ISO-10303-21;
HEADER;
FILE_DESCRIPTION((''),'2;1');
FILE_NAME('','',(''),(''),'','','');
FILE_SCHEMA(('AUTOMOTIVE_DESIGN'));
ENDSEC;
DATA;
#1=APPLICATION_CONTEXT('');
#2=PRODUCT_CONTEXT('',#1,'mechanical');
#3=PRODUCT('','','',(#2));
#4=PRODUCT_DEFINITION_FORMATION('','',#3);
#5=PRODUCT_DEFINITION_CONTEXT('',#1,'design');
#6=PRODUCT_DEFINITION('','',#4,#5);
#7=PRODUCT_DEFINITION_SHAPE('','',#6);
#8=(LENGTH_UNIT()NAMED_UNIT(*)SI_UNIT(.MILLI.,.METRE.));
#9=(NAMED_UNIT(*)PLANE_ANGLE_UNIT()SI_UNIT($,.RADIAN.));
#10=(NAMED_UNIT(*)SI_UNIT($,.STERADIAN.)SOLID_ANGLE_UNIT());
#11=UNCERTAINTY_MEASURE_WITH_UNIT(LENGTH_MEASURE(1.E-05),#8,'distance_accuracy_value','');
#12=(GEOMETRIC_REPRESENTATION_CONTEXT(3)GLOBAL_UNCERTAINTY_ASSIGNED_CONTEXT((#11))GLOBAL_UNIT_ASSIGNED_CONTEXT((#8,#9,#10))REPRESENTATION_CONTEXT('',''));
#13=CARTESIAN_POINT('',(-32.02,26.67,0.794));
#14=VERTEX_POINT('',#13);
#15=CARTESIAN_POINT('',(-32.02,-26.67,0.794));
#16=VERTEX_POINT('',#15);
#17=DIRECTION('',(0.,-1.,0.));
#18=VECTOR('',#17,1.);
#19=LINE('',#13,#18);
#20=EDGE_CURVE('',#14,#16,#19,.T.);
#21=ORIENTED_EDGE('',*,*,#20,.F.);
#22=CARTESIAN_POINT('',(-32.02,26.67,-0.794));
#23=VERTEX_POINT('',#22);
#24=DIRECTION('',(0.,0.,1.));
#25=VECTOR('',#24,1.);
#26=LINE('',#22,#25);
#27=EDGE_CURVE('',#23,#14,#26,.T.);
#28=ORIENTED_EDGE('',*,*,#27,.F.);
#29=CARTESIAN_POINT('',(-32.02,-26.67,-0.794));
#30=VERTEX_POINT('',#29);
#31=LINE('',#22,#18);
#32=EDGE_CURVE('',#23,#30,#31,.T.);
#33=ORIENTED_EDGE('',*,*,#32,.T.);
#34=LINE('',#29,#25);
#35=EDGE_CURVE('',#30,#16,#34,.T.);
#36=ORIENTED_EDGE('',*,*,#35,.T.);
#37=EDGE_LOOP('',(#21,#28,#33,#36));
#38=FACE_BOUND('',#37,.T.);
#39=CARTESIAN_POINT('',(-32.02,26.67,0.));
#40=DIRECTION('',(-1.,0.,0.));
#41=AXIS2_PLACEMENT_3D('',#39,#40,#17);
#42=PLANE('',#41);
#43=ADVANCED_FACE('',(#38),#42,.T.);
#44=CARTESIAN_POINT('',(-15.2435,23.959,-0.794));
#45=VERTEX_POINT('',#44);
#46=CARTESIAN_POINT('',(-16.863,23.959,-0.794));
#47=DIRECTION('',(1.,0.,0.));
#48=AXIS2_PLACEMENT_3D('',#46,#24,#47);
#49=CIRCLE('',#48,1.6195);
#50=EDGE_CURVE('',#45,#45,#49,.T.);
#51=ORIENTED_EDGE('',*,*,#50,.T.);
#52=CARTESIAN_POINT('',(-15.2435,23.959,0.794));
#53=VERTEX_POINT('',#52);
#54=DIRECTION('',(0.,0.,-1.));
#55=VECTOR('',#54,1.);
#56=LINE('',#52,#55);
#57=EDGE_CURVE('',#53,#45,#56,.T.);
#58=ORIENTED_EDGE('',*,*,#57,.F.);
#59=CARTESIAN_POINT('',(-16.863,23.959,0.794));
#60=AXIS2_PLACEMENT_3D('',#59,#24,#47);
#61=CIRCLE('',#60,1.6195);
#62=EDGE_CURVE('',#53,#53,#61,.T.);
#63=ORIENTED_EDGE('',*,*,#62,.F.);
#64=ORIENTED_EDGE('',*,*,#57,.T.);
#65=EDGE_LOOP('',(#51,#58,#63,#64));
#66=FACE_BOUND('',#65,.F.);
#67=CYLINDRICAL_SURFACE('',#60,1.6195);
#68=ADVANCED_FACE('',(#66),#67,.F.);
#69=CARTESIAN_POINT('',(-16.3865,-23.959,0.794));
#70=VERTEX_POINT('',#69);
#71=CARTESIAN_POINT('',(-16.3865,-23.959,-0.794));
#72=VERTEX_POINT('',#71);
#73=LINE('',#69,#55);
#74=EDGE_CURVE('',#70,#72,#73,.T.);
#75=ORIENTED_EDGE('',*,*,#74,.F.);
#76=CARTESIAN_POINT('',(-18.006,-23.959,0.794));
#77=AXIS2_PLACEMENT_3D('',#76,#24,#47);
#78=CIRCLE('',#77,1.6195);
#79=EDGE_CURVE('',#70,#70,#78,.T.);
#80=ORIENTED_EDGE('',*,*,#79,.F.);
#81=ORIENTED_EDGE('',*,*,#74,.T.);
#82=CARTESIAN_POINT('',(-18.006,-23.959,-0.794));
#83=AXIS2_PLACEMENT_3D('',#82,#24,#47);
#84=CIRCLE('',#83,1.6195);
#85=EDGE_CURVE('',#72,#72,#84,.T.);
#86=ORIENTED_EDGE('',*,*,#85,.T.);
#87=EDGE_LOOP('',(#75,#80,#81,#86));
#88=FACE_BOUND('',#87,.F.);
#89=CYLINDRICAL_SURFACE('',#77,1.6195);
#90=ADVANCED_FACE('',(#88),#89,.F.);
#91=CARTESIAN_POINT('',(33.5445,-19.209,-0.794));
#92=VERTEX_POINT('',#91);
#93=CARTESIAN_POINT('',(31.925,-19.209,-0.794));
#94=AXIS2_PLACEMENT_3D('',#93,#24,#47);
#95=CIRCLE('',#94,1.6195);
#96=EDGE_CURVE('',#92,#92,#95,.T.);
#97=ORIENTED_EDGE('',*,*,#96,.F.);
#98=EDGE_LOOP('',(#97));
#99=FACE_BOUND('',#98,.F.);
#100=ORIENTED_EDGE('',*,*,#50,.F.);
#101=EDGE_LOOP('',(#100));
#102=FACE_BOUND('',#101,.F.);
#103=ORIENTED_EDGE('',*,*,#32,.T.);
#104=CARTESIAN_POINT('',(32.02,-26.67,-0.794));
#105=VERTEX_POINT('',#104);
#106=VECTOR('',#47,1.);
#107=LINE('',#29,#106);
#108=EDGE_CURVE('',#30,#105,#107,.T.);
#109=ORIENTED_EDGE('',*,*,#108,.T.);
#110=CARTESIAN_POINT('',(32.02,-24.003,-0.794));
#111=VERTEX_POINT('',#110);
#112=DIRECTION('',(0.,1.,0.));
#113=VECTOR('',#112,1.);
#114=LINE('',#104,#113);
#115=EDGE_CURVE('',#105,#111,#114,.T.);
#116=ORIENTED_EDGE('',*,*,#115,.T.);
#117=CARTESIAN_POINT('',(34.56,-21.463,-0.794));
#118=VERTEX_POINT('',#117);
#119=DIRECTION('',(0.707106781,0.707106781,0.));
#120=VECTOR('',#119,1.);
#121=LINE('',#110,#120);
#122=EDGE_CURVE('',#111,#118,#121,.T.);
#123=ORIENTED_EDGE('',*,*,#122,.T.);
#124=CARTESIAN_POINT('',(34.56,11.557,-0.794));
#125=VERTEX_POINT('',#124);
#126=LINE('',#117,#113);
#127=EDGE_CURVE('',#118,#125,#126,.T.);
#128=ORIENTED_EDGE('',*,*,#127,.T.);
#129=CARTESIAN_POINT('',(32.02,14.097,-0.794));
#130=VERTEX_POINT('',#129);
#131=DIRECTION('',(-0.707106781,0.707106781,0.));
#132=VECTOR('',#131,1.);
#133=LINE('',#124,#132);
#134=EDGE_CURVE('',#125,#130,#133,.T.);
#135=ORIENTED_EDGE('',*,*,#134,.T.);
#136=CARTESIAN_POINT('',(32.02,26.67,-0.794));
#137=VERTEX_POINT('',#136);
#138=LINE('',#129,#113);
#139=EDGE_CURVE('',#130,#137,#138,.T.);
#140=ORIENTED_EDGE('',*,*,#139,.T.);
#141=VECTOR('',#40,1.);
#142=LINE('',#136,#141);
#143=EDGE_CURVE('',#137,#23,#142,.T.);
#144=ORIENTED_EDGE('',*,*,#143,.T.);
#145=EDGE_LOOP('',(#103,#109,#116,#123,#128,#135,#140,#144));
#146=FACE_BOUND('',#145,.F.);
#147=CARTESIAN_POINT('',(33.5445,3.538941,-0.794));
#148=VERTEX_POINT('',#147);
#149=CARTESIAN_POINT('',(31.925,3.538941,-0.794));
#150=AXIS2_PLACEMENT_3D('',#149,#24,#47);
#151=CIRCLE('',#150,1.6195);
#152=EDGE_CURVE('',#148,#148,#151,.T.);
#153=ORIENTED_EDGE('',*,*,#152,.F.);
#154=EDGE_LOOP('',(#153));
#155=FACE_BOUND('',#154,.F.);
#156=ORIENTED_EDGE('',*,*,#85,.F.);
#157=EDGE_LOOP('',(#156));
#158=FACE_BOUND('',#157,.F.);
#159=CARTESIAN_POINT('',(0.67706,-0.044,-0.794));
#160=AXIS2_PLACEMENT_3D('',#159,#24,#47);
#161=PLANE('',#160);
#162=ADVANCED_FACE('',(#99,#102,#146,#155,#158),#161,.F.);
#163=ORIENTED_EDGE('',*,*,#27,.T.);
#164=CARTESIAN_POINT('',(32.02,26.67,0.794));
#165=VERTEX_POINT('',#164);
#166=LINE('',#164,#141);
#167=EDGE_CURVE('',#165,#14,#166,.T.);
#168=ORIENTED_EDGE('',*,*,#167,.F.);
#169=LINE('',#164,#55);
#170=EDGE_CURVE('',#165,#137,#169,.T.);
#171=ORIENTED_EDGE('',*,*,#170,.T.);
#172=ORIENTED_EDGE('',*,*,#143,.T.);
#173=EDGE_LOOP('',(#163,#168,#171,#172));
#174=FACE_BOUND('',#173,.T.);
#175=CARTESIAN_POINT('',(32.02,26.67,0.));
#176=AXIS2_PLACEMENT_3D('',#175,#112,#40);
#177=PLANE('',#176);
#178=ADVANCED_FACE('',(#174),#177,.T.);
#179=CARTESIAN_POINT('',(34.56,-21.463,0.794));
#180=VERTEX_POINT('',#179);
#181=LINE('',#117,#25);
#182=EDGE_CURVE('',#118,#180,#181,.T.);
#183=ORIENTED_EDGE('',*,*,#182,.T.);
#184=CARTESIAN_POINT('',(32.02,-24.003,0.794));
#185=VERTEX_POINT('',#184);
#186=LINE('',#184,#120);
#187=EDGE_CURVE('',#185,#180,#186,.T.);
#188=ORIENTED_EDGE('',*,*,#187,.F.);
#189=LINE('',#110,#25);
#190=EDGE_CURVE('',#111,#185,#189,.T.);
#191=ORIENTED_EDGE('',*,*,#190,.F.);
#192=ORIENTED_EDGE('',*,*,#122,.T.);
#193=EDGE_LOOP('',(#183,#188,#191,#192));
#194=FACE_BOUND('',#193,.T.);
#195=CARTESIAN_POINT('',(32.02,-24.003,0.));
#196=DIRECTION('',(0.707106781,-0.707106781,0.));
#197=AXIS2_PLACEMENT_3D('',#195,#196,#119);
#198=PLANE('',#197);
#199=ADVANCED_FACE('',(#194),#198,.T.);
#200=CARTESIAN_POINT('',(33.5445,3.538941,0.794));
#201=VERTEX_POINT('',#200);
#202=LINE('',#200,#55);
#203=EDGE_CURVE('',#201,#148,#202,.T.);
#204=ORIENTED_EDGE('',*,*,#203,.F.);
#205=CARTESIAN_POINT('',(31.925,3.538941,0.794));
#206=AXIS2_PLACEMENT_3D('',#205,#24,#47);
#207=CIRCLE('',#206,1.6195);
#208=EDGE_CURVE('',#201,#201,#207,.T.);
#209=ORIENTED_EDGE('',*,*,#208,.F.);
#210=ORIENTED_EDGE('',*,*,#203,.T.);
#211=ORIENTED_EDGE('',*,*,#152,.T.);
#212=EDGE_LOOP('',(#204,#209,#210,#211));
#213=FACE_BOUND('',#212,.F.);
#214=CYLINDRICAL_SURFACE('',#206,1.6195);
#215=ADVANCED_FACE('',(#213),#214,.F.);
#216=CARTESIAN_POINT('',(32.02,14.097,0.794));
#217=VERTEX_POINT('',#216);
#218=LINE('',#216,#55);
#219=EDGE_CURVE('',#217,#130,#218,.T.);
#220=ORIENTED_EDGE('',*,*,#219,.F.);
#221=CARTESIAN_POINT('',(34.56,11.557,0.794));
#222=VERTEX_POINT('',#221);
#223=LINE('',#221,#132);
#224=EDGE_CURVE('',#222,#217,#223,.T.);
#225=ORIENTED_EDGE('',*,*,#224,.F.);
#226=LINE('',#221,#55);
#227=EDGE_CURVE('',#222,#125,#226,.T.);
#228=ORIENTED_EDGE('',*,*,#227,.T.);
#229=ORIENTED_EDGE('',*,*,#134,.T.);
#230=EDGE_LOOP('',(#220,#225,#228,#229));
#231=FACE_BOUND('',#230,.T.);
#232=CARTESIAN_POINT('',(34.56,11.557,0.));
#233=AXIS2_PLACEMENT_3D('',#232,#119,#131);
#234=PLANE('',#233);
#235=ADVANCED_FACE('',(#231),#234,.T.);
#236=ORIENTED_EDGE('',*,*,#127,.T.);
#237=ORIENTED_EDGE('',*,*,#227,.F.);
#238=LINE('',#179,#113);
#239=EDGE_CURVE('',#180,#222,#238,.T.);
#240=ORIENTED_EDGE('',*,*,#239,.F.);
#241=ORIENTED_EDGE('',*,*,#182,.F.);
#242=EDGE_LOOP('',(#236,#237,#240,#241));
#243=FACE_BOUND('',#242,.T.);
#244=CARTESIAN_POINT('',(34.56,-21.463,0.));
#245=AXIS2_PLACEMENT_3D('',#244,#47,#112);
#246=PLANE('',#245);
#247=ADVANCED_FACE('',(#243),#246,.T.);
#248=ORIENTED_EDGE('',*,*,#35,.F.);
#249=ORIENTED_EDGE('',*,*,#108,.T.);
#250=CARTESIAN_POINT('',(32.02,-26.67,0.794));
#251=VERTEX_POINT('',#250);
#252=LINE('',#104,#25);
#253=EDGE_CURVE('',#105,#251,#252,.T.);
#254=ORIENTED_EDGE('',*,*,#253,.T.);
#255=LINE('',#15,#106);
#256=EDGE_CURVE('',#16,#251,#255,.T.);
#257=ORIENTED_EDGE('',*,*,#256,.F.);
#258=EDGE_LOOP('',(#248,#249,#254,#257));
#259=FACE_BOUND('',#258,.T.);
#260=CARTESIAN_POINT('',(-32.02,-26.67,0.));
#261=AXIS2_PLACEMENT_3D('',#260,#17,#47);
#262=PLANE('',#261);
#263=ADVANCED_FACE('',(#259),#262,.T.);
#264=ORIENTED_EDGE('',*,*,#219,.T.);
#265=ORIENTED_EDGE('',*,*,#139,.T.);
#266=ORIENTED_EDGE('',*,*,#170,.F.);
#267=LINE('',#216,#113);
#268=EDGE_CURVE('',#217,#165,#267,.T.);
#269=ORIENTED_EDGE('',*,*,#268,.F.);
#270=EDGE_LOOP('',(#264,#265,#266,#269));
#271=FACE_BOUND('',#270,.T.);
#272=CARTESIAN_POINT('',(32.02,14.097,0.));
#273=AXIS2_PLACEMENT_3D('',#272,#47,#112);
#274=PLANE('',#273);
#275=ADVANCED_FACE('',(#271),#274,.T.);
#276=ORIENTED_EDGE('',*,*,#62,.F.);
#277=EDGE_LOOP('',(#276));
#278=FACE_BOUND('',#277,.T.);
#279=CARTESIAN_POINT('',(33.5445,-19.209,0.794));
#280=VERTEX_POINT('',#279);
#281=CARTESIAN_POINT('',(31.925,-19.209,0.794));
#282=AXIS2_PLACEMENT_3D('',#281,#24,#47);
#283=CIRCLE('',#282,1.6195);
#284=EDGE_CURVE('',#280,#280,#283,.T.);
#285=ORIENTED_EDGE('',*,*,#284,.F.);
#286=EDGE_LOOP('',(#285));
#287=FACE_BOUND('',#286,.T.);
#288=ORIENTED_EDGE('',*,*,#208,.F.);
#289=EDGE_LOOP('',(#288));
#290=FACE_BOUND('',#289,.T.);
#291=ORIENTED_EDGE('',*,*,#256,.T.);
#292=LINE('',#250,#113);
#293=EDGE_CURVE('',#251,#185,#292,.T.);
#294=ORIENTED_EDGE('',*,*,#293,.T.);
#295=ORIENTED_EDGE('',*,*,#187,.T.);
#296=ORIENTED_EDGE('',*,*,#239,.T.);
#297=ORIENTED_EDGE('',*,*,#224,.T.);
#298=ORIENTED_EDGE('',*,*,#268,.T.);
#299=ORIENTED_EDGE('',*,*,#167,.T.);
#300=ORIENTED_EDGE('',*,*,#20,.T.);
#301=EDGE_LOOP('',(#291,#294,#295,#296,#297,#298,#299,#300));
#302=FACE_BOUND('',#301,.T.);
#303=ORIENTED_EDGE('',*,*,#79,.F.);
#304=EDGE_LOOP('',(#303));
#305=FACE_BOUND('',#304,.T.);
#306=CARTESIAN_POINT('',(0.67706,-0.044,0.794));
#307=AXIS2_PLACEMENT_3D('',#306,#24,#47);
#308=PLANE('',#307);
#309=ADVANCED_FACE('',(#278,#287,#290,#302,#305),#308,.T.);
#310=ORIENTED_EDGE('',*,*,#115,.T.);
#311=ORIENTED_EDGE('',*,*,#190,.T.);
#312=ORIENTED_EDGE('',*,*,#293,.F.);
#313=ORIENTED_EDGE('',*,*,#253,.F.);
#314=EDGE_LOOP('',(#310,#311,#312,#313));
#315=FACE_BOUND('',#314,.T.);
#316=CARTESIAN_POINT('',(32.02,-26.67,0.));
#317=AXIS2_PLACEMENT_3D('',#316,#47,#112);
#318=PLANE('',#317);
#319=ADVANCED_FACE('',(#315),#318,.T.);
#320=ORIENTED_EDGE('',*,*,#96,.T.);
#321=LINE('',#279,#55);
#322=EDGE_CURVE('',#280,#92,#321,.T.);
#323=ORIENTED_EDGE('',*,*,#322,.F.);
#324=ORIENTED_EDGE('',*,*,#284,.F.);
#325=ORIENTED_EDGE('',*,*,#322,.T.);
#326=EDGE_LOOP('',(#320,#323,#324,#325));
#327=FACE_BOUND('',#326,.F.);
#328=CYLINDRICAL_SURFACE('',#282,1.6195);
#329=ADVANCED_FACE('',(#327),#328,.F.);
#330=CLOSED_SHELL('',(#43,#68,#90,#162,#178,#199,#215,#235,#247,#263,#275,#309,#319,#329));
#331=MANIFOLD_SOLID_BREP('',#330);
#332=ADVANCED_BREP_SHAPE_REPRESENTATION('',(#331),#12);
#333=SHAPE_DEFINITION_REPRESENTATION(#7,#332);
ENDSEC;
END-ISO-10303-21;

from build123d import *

# Parameters (mm, degrees)
F1_DEPTH = 0.794
F2_R     = 1.6195
F3_DEPTH = 25


with BuildPart() as f1:
    # F0 (on Top) → F1 (new body, symmetric)
    with BuildSketch(Plane.XY):
        Polygon((32.02, 26.67), (-32.02, 26.67), (-32.02, 0), (-32.02, -26.67), (32.02, -26.67), (32.02, -24.003), (34.56, -21.463), (34.56, 11.557), (32.02, 14.097), align=None)
    extrude(amount=F1_DEPTH, both=True)

    # F2 (on face) → F3 (cut)
    with BuildSketch(Plane.XY.offset(0.794)):
        with Locations((-16.863, 23.959)):
            Circle(F2_R)
        with Locations((-18.006, -23.959)):
            Circle(F2_R)
        with Locations((31.925, 3.538941)):
            Circle(F2_R)
        with Locations((31.925, -19.209)):
            Circle(F2_R)
    extrude(amount=-F3_DEPTH, mode=Mode.SUBTRACT)


solid = f1.part
